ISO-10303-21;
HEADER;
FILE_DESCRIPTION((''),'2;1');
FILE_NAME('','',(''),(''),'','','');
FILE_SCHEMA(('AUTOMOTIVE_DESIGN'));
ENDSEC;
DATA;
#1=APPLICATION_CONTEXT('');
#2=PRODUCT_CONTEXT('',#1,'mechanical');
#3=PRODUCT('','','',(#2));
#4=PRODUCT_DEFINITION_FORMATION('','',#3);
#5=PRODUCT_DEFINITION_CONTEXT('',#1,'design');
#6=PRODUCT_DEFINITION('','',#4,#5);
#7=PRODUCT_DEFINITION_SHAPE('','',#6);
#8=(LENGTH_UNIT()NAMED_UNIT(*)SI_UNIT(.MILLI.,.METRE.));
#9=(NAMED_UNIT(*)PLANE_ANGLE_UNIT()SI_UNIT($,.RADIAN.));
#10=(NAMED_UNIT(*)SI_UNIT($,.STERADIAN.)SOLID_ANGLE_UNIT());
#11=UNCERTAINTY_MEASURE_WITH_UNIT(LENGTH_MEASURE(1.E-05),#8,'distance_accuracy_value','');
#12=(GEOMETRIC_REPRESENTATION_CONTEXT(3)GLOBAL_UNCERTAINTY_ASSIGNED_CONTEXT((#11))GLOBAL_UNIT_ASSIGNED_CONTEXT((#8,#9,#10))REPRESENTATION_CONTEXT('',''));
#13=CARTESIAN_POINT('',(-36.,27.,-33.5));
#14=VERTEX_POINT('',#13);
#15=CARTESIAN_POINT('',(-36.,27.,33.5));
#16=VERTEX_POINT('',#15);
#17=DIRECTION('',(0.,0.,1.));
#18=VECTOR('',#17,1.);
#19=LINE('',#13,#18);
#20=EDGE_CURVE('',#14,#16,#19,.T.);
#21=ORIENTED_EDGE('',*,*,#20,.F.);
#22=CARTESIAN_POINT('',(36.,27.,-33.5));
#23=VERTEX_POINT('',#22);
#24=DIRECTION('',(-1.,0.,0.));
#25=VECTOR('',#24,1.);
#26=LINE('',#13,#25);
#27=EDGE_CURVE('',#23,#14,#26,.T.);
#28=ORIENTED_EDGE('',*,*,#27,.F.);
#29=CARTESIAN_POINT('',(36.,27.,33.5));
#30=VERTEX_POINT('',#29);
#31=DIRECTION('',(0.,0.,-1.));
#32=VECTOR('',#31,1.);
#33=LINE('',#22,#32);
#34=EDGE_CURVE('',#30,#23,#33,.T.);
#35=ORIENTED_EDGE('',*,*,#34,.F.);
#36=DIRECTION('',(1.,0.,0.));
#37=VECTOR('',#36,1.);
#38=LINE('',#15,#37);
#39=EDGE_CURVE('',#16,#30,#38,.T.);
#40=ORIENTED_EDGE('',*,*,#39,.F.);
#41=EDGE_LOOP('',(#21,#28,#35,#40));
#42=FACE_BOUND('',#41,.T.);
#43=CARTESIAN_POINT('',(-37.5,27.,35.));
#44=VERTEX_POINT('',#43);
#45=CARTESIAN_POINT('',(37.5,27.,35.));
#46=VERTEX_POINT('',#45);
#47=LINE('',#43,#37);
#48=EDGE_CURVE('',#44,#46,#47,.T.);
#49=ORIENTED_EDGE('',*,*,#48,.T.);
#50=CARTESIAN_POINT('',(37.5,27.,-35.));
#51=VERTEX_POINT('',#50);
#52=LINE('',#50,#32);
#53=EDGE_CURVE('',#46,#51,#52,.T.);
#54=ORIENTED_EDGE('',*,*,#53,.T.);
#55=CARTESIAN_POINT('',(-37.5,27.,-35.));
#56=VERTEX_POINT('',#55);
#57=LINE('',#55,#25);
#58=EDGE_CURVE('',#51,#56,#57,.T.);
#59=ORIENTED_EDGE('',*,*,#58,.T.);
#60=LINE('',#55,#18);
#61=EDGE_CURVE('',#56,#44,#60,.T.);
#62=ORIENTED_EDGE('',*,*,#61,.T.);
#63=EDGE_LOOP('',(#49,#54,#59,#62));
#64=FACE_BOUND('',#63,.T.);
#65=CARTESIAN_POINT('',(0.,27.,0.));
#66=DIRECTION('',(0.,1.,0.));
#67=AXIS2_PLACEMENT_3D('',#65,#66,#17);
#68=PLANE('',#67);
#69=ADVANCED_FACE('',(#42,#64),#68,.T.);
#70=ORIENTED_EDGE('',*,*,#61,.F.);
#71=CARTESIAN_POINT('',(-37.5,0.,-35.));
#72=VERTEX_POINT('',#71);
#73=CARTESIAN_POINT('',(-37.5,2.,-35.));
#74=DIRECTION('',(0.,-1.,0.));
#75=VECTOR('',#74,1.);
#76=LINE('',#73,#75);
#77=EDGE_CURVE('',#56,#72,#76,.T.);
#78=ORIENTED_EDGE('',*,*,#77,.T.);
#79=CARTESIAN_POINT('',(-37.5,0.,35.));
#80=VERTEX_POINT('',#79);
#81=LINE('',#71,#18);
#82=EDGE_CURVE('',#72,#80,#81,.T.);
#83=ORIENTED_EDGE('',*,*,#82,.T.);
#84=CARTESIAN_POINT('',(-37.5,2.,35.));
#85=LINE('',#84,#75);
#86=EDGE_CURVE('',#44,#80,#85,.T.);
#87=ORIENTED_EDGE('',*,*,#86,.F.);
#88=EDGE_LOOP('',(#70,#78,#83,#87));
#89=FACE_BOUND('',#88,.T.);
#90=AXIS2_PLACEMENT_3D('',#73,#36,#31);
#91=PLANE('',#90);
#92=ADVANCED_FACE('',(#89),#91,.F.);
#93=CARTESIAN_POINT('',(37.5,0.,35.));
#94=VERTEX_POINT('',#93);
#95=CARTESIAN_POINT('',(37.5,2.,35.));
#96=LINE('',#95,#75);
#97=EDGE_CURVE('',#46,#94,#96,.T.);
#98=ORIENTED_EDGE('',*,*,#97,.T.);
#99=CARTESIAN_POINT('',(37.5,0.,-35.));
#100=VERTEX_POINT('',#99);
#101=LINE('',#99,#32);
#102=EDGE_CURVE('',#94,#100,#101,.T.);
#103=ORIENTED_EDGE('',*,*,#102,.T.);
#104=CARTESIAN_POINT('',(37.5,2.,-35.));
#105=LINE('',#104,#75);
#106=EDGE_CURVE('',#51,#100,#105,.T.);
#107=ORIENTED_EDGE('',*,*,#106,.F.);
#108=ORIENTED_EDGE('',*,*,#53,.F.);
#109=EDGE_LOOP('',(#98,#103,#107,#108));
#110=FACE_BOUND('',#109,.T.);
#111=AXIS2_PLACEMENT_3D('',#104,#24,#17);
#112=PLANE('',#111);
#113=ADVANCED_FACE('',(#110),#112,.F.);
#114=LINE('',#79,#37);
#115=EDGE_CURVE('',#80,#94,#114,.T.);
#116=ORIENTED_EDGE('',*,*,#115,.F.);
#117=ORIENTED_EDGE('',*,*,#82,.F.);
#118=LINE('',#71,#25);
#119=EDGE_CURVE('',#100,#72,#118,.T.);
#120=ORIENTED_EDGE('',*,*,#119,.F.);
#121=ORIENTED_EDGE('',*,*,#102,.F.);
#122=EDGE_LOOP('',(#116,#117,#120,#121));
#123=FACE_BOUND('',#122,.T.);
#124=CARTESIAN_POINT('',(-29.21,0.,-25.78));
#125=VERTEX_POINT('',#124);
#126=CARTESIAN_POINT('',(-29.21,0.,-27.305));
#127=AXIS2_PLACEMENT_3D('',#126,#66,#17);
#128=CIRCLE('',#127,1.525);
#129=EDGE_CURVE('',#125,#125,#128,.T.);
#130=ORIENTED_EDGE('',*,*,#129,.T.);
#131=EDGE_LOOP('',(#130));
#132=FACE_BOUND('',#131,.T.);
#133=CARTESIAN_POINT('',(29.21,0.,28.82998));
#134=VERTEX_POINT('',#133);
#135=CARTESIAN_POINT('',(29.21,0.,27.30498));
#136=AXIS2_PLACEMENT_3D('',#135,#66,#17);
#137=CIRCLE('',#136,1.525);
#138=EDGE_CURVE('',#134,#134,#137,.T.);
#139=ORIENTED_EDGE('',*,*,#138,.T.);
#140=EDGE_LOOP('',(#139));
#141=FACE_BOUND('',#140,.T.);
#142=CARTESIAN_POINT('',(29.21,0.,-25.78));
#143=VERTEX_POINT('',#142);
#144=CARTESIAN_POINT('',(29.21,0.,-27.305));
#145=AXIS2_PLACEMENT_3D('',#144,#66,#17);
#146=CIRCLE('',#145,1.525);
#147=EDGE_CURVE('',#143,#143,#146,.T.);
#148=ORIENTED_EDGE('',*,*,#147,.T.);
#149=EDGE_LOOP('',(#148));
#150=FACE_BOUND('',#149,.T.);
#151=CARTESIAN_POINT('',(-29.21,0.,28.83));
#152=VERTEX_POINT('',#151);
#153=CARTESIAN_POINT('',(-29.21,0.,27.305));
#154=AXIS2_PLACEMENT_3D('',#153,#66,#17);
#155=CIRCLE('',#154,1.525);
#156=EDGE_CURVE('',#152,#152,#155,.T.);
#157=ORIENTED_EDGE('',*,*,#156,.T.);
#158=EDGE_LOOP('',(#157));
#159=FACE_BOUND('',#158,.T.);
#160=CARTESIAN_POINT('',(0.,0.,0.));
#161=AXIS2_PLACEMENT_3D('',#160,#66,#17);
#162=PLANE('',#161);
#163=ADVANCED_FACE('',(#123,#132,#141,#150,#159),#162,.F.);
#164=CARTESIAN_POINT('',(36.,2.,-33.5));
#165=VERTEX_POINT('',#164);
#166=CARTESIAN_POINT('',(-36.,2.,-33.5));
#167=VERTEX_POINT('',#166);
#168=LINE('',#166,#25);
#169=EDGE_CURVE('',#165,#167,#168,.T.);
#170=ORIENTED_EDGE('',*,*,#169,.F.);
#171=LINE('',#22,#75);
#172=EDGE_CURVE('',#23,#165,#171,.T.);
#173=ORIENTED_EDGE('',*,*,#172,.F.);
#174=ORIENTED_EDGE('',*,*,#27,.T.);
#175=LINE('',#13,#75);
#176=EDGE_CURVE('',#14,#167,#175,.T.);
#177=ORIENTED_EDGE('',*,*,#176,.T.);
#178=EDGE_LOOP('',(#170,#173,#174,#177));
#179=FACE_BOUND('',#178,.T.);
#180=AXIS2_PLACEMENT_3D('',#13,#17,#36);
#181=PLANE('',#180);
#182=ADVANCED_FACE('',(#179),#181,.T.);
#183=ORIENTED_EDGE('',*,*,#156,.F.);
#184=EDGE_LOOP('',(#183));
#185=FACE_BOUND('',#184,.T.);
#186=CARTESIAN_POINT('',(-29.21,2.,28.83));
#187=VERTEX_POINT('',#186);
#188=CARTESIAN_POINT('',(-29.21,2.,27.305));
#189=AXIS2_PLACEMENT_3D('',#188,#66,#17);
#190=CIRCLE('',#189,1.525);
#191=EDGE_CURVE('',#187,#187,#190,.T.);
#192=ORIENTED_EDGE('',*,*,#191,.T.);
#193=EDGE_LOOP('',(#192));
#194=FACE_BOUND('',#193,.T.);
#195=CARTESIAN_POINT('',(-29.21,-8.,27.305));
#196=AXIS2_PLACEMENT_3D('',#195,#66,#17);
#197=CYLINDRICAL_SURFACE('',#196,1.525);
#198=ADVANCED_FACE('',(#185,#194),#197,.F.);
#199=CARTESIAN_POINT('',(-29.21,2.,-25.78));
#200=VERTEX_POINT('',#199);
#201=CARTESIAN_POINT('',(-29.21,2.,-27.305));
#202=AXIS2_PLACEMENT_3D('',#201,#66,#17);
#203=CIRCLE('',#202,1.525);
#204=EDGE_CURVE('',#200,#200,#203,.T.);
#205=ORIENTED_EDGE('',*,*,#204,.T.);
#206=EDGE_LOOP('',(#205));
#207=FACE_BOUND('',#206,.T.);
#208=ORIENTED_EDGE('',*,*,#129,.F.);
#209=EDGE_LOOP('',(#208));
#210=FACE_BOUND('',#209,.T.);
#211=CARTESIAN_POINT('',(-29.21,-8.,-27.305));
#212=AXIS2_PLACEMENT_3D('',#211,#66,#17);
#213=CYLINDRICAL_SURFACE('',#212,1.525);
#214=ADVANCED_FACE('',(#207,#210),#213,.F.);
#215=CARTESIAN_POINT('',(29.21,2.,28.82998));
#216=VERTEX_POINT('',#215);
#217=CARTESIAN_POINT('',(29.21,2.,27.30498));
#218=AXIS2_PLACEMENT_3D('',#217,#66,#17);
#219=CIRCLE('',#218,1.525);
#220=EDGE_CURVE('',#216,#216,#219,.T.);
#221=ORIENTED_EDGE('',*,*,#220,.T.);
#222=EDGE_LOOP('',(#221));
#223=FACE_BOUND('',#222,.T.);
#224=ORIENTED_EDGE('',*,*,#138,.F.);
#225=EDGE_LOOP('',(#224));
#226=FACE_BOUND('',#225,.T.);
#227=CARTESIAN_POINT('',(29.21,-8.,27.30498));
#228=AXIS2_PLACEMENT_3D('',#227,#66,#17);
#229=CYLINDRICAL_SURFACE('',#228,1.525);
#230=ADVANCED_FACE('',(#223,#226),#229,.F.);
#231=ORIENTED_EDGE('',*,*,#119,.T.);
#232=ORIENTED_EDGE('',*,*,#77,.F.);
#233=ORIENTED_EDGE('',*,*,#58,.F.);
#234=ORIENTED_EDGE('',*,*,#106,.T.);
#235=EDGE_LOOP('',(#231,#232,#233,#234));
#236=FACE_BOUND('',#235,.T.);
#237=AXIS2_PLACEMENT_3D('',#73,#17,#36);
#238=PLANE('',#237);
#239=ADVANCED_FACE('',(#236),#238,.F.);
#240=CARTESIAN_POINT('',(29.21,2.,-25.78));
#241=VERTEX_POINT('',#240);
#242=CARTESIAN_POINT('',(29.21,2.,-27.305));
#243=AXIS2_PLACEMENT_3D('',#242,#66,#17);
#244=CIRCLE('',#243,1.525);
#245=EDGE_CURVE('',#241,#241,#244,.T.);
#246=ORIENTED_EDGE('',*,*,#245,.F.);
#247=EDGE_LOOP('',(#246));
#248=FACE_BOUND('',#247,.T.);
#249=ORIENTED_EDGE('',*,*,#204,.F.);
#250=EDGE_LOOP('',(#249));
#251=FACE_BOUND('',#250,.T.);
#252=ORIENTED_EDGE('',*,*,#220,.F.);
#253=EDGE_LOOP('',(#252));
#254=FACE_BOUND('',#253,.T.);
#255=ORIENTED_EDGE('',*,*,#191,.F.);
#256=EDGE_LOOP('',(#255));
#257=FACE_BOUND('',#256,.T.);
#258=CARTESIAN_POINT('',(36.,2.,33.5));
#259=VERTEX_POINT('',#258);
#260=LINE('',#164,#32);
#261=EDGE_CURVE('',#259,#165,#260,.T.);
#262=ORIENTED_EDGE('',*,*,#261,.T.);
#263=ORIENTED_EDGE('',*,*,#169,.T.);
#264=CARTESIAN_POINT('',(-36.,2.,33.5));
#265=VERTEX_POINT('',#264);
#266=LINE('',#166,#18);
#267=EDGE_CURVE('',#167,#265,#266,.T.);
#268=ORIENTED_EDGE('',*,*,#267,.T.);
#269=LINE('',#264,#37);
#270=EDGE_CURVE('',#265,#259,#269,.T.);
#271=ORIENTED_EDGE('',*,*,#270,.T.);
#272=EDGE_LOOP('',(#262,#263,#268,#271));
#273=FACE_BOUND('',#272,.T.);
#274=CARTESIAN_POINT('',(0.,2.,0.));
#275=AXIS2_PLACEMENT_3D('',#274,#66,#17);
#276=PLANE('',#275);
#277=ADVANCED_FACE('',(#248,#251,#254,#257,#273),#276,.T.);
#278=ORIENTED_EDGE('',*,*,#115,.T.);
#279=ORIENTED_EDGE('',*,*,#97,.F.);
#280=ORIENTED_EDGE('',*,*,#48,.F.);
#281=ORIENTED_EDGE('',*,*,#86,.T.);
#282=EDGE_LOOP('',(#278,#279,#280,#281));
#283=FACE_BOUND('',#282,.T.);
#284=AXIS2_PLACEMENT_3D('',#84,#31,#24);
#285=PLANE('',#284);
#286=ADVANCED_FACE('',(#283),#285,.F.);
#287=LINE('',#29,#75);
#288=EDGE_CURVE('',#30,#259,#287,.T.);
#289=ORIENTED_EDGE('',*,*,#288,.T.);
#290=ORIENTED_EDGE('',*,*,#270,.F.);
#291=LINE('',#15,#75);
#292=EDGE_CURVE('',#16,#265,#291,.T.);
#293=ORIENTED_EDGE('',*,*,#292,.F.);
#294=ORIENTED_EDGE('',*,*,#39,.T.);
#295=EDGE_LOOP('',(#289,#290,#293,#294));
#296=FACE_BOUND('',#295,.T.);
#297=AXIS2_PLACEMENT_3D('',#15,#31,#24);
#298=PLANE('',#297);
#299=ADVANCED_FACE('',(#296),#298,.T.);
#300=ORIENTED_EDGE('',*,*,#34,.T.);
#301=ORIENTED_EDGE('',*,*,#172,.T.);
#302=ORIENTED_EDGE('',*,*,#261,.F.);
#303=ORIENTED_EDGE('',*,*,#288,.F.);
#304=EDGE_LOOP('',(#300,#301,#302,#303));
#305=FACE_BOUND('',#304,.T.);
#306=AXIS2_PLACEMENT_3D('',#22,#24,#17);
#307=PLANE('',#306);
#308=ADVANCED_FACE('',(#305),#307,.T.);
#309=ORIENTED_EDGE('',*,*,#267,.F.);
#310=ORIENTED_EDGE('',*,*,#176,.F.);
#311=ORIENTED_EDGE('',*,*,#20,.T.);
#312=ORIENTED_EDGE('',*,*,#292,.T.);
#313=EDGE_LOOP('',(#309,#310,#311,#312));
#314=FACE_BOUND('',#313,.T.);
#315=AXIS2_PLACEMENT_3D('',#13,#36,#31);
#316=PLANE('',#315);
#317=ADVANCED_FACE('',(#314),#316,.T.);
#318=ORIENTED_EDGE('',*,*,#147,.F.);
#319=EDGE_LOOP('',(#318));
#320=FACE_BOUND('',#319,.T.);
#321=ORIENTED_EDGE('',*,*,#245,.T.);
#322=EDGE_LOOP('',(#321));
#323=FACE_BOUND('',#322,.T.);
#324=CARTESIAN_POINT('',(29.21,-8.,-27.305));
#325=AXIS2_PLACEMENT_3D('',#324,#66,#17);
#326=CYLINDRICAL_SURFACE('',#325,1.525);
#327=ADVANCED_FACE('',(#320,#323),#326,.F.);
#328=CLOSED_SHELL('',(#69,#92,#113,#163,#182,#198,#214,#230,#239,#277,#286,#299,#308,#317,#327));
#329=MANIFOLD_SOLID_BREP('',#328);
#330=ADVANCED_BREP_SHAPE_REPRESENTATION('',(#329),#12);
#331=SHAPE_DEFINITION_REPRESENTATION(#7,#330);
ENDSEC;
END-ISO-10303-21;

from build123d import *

# Parameters (mm, degrees)
CROQUIS1_W              = 75
CROQUIS1_H              = 70
SALIENTE_EXTRUIR1_DEPTH = 2
CROQUIS2_W              = 75
CROQUIS2_H              = 70
CROQUIS2_W_2            = 72
CROQUIS2_H_2            = 67
SALIENTE_EXTRUIR2_DEPTH = 25
CROQUIS3_R              = 1.525
CORTAR_EXTRUIR1_DEPTH   = 10


with BuildPart() as part:
    # Croquis1 → Saliente-Extruir1 (new body)
    with BuildSketch(Plane(origin=(0, 0, 0), x_dir=(1, 0, 0), z_dir=(0, 1, 0))):
        Rectangle(CROQUIS1_W, CROQUIS1_H)
    extrude(amount=SALIENTE_EXTRUIR1_DEPTH)

    # Croquis2 → Saliente-Extruir2 (add)
    with BuildSketch(Plane(origin=(0, 2, 0), x_dir=(1, 0, 0), z_dir=(0, 1, 0))):
        Rectangle(CROQUIS2_W, CROQUIS2_H)
        Rectangle(CROQUIS2_W_2, CROQUIS2_H_2, mode=Mode.SUBTRACT)
    extrude(amount=SALIENTE_EXTRUIR2_DEPTH)

    # Croquis3 → Cortar-Extruir1 (cut)
    with BuildSketch(Plane(origin=(0, 2, 0), x_dir=(1, 0, 0), z_dir=(0, 1, 0))):
        with Locations(Location((-29.21, 27.305, 0), (0, 0, 270))):
            Circle(CROQUIS3_R)
        with Locations(Location((-29.21, -27.305, 0), (0, 0, 270))):
            Circle(CROQUIS3_R)
        with Locations(Location((29.21, 27.305, 0), (0, 0, 270))):
            Circle(CROQUIS3_R)
        with Locations(Location((29.21, -27.3049805, 0), (0, 0, 270))):
            Circle(CROQUIS3_R)
    extrude(amount=-CORTAR_EXTRUIR1_DEPTH, mode=Mode.SUBTRACT)


solid = part.part
